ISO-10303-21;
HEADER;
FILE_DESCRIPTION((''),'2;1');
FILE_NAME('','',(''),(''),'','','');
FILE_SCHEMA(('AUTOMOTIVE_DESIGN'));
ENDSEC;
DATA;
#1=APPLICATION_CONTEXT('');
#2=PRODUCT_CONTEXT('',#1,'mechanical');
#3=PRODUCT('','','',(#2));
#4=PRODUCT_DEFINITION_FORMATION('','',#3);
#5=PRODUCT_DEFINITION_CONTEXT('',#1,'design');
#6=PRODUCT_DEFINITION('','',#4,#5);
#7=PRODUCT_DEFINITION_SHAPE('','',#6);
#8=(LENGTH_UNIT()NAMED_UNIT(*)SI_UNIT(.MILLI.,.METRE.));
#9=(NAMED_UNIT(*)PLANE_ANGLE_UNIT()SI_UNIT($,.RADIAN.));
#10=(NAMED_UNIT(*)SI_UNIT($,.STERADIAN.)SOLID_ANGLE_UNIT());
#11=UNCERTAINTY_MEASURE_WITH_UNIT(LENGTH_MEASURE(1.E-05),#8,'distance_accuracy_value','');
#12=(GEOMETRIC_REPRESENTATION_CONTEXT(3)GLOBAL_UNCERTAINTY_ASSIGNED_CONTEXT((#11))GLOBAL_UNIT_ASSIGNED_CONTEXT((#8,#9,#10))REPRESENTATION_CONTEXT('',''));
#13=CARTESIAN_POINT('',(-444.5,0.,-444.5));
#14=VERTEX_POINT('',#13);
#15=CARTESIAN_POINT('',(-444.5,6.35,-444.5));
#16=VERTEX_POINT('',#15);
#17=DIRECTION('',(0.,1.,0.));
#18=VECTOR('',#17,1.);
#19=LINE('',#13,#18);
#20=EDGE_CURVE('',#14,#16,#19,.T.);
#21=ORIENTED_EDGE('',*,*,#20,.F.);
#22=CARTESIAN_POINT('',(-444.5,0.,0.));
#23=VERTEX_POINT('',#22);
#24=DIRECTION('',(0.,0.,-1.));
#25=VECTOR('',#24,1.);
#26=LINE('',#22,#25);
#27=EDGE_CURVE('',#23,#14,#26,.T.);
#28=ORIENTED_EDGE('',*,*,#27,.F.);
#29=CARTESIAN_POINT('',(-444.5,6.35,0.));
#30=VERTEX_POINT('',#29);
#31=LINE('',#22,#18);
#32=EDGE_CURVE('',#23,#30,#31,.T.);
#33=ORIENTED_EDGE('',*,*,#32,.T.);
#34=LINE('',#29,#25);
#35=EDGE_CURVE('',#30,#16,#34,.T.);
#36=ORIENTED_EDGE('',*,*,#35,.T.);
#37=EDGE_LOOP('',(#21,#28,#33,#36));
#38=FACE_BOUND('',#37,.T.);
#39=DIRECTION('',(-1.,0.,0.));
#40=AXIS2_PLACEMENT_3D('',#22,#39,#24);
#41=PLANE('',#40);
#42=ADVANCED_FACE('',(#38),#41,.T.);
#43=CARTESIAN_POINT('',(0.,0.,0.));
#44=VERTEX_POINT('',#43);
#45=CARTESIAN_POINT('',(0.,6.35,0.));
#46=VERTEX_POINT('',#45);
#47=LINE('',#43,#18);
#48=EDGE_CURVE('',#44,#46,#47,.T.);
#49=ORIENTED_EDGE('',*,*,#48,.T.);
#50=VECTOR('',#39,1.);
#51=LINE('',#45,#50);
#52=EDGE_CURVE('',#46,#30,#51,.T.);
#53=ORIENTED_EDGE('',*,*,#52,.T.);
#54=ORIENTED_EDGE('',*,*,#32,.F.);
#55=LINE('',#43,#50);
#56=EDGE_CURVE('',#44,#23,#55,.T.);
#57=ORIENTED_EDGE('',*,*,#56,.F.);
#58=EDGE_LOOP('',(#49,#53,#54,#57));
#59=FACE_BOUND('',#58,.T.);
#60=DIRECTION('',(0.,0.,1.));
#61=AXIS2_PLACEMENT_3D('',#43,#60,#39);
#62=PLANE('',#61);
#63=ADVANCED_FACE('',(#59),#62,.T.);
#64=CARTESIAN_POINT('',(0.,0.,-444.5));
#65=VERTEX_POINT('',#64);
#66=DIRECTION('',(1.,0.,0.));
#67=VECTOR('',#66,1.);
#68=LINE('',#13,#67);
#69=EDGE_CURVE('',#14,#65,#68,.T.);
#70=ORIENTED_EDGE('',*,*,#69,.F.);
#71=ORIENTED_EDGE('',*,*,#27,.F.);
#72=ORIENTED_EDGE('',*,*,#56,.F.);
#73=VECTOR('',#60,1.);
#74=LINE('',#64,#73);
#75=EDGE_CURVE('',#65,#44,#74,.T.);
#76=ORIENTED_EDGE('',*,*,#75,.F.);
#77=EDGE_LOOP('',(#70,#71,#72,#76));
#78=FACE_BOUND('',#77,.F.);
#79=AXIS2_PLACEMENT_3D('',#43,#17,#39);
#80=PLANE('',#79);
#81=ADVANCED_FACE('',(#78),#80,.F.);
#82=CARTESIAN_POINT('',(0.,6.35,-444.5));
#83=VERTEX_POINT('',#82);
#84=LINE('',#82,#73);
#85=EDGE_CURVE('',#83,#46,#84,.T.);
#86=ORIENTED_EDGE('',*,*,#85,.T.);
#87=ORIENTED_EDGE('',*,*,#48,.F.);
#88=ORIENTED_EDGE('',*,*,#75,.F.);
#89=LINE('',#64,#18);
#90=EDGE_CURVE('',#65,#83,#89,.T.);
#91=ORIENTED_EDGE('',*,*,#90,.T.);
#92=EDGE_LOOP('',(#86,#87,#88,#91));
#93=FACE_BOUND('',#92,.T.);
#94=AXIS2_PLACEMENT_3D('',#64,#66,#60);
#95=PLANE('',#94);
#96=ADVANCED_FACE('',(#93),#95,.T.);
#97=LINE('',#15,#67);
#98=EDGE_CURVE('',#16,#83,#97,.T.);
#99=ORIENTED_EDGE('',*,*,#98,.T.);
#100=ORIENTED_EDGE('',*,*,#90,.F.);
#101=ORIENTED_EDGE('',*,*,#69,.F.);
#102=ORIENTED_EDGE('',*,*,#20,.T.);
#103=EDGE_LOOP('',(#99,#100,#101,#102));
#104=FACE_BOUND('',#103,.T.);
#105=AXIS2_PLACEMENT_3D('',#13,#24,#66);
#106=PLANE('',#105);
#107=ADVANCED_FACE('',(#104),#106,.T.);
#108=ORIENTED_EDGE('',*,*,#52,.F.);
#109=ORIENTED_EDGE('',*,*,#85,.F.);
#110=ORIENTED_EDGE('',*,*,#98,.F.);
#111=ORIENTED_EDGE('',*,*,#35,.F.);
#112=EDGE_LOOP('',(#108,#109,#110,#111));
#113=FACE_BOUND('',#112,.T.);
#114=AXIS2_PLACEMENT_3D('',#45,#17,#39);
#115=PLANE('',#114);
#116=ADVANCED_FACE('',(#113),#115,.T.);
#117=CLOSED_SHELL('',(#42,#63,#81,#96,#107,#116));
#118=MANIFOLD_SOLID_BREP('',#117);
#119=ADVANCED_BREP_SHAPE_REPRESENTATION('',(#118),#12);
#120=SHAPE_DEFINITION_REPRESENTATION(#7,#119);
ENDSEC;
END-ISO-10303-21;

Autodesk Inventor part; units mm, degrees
ref_plane "YZ Plane" through (0, 0, 0) normal (1, 0, 0) x (0, 1, 0)
ref_plane "XZ Plane" through (0, 0, 0) normal (0, 1, 0) x (-1, 0, 0)
ref_plane "XY Plane" through (0, 0, 0) normal (0, 0, 1) x (1, 0, 0)
sketch "Sketch1" plane through (0, 0, 0) normal (0, 1, 0) x (-1, 0, 0)
  line L0 (0, 0) -> (444.5, 0)
  line L1 (444.5, 0) -> (444.5, -444.5)
  line L2 (444.5, -444.5) -> (0, -444.5)
  line L3 (0, -444.5) -> (0, 0)
  dimension "d0" = 444.5
  dimension "d1" = 444.5
extrude "Extrusion1" add sketch "Sketch1" along normal blind 6.35
properties part number "Top Plate" material "Nylon 6/6"
